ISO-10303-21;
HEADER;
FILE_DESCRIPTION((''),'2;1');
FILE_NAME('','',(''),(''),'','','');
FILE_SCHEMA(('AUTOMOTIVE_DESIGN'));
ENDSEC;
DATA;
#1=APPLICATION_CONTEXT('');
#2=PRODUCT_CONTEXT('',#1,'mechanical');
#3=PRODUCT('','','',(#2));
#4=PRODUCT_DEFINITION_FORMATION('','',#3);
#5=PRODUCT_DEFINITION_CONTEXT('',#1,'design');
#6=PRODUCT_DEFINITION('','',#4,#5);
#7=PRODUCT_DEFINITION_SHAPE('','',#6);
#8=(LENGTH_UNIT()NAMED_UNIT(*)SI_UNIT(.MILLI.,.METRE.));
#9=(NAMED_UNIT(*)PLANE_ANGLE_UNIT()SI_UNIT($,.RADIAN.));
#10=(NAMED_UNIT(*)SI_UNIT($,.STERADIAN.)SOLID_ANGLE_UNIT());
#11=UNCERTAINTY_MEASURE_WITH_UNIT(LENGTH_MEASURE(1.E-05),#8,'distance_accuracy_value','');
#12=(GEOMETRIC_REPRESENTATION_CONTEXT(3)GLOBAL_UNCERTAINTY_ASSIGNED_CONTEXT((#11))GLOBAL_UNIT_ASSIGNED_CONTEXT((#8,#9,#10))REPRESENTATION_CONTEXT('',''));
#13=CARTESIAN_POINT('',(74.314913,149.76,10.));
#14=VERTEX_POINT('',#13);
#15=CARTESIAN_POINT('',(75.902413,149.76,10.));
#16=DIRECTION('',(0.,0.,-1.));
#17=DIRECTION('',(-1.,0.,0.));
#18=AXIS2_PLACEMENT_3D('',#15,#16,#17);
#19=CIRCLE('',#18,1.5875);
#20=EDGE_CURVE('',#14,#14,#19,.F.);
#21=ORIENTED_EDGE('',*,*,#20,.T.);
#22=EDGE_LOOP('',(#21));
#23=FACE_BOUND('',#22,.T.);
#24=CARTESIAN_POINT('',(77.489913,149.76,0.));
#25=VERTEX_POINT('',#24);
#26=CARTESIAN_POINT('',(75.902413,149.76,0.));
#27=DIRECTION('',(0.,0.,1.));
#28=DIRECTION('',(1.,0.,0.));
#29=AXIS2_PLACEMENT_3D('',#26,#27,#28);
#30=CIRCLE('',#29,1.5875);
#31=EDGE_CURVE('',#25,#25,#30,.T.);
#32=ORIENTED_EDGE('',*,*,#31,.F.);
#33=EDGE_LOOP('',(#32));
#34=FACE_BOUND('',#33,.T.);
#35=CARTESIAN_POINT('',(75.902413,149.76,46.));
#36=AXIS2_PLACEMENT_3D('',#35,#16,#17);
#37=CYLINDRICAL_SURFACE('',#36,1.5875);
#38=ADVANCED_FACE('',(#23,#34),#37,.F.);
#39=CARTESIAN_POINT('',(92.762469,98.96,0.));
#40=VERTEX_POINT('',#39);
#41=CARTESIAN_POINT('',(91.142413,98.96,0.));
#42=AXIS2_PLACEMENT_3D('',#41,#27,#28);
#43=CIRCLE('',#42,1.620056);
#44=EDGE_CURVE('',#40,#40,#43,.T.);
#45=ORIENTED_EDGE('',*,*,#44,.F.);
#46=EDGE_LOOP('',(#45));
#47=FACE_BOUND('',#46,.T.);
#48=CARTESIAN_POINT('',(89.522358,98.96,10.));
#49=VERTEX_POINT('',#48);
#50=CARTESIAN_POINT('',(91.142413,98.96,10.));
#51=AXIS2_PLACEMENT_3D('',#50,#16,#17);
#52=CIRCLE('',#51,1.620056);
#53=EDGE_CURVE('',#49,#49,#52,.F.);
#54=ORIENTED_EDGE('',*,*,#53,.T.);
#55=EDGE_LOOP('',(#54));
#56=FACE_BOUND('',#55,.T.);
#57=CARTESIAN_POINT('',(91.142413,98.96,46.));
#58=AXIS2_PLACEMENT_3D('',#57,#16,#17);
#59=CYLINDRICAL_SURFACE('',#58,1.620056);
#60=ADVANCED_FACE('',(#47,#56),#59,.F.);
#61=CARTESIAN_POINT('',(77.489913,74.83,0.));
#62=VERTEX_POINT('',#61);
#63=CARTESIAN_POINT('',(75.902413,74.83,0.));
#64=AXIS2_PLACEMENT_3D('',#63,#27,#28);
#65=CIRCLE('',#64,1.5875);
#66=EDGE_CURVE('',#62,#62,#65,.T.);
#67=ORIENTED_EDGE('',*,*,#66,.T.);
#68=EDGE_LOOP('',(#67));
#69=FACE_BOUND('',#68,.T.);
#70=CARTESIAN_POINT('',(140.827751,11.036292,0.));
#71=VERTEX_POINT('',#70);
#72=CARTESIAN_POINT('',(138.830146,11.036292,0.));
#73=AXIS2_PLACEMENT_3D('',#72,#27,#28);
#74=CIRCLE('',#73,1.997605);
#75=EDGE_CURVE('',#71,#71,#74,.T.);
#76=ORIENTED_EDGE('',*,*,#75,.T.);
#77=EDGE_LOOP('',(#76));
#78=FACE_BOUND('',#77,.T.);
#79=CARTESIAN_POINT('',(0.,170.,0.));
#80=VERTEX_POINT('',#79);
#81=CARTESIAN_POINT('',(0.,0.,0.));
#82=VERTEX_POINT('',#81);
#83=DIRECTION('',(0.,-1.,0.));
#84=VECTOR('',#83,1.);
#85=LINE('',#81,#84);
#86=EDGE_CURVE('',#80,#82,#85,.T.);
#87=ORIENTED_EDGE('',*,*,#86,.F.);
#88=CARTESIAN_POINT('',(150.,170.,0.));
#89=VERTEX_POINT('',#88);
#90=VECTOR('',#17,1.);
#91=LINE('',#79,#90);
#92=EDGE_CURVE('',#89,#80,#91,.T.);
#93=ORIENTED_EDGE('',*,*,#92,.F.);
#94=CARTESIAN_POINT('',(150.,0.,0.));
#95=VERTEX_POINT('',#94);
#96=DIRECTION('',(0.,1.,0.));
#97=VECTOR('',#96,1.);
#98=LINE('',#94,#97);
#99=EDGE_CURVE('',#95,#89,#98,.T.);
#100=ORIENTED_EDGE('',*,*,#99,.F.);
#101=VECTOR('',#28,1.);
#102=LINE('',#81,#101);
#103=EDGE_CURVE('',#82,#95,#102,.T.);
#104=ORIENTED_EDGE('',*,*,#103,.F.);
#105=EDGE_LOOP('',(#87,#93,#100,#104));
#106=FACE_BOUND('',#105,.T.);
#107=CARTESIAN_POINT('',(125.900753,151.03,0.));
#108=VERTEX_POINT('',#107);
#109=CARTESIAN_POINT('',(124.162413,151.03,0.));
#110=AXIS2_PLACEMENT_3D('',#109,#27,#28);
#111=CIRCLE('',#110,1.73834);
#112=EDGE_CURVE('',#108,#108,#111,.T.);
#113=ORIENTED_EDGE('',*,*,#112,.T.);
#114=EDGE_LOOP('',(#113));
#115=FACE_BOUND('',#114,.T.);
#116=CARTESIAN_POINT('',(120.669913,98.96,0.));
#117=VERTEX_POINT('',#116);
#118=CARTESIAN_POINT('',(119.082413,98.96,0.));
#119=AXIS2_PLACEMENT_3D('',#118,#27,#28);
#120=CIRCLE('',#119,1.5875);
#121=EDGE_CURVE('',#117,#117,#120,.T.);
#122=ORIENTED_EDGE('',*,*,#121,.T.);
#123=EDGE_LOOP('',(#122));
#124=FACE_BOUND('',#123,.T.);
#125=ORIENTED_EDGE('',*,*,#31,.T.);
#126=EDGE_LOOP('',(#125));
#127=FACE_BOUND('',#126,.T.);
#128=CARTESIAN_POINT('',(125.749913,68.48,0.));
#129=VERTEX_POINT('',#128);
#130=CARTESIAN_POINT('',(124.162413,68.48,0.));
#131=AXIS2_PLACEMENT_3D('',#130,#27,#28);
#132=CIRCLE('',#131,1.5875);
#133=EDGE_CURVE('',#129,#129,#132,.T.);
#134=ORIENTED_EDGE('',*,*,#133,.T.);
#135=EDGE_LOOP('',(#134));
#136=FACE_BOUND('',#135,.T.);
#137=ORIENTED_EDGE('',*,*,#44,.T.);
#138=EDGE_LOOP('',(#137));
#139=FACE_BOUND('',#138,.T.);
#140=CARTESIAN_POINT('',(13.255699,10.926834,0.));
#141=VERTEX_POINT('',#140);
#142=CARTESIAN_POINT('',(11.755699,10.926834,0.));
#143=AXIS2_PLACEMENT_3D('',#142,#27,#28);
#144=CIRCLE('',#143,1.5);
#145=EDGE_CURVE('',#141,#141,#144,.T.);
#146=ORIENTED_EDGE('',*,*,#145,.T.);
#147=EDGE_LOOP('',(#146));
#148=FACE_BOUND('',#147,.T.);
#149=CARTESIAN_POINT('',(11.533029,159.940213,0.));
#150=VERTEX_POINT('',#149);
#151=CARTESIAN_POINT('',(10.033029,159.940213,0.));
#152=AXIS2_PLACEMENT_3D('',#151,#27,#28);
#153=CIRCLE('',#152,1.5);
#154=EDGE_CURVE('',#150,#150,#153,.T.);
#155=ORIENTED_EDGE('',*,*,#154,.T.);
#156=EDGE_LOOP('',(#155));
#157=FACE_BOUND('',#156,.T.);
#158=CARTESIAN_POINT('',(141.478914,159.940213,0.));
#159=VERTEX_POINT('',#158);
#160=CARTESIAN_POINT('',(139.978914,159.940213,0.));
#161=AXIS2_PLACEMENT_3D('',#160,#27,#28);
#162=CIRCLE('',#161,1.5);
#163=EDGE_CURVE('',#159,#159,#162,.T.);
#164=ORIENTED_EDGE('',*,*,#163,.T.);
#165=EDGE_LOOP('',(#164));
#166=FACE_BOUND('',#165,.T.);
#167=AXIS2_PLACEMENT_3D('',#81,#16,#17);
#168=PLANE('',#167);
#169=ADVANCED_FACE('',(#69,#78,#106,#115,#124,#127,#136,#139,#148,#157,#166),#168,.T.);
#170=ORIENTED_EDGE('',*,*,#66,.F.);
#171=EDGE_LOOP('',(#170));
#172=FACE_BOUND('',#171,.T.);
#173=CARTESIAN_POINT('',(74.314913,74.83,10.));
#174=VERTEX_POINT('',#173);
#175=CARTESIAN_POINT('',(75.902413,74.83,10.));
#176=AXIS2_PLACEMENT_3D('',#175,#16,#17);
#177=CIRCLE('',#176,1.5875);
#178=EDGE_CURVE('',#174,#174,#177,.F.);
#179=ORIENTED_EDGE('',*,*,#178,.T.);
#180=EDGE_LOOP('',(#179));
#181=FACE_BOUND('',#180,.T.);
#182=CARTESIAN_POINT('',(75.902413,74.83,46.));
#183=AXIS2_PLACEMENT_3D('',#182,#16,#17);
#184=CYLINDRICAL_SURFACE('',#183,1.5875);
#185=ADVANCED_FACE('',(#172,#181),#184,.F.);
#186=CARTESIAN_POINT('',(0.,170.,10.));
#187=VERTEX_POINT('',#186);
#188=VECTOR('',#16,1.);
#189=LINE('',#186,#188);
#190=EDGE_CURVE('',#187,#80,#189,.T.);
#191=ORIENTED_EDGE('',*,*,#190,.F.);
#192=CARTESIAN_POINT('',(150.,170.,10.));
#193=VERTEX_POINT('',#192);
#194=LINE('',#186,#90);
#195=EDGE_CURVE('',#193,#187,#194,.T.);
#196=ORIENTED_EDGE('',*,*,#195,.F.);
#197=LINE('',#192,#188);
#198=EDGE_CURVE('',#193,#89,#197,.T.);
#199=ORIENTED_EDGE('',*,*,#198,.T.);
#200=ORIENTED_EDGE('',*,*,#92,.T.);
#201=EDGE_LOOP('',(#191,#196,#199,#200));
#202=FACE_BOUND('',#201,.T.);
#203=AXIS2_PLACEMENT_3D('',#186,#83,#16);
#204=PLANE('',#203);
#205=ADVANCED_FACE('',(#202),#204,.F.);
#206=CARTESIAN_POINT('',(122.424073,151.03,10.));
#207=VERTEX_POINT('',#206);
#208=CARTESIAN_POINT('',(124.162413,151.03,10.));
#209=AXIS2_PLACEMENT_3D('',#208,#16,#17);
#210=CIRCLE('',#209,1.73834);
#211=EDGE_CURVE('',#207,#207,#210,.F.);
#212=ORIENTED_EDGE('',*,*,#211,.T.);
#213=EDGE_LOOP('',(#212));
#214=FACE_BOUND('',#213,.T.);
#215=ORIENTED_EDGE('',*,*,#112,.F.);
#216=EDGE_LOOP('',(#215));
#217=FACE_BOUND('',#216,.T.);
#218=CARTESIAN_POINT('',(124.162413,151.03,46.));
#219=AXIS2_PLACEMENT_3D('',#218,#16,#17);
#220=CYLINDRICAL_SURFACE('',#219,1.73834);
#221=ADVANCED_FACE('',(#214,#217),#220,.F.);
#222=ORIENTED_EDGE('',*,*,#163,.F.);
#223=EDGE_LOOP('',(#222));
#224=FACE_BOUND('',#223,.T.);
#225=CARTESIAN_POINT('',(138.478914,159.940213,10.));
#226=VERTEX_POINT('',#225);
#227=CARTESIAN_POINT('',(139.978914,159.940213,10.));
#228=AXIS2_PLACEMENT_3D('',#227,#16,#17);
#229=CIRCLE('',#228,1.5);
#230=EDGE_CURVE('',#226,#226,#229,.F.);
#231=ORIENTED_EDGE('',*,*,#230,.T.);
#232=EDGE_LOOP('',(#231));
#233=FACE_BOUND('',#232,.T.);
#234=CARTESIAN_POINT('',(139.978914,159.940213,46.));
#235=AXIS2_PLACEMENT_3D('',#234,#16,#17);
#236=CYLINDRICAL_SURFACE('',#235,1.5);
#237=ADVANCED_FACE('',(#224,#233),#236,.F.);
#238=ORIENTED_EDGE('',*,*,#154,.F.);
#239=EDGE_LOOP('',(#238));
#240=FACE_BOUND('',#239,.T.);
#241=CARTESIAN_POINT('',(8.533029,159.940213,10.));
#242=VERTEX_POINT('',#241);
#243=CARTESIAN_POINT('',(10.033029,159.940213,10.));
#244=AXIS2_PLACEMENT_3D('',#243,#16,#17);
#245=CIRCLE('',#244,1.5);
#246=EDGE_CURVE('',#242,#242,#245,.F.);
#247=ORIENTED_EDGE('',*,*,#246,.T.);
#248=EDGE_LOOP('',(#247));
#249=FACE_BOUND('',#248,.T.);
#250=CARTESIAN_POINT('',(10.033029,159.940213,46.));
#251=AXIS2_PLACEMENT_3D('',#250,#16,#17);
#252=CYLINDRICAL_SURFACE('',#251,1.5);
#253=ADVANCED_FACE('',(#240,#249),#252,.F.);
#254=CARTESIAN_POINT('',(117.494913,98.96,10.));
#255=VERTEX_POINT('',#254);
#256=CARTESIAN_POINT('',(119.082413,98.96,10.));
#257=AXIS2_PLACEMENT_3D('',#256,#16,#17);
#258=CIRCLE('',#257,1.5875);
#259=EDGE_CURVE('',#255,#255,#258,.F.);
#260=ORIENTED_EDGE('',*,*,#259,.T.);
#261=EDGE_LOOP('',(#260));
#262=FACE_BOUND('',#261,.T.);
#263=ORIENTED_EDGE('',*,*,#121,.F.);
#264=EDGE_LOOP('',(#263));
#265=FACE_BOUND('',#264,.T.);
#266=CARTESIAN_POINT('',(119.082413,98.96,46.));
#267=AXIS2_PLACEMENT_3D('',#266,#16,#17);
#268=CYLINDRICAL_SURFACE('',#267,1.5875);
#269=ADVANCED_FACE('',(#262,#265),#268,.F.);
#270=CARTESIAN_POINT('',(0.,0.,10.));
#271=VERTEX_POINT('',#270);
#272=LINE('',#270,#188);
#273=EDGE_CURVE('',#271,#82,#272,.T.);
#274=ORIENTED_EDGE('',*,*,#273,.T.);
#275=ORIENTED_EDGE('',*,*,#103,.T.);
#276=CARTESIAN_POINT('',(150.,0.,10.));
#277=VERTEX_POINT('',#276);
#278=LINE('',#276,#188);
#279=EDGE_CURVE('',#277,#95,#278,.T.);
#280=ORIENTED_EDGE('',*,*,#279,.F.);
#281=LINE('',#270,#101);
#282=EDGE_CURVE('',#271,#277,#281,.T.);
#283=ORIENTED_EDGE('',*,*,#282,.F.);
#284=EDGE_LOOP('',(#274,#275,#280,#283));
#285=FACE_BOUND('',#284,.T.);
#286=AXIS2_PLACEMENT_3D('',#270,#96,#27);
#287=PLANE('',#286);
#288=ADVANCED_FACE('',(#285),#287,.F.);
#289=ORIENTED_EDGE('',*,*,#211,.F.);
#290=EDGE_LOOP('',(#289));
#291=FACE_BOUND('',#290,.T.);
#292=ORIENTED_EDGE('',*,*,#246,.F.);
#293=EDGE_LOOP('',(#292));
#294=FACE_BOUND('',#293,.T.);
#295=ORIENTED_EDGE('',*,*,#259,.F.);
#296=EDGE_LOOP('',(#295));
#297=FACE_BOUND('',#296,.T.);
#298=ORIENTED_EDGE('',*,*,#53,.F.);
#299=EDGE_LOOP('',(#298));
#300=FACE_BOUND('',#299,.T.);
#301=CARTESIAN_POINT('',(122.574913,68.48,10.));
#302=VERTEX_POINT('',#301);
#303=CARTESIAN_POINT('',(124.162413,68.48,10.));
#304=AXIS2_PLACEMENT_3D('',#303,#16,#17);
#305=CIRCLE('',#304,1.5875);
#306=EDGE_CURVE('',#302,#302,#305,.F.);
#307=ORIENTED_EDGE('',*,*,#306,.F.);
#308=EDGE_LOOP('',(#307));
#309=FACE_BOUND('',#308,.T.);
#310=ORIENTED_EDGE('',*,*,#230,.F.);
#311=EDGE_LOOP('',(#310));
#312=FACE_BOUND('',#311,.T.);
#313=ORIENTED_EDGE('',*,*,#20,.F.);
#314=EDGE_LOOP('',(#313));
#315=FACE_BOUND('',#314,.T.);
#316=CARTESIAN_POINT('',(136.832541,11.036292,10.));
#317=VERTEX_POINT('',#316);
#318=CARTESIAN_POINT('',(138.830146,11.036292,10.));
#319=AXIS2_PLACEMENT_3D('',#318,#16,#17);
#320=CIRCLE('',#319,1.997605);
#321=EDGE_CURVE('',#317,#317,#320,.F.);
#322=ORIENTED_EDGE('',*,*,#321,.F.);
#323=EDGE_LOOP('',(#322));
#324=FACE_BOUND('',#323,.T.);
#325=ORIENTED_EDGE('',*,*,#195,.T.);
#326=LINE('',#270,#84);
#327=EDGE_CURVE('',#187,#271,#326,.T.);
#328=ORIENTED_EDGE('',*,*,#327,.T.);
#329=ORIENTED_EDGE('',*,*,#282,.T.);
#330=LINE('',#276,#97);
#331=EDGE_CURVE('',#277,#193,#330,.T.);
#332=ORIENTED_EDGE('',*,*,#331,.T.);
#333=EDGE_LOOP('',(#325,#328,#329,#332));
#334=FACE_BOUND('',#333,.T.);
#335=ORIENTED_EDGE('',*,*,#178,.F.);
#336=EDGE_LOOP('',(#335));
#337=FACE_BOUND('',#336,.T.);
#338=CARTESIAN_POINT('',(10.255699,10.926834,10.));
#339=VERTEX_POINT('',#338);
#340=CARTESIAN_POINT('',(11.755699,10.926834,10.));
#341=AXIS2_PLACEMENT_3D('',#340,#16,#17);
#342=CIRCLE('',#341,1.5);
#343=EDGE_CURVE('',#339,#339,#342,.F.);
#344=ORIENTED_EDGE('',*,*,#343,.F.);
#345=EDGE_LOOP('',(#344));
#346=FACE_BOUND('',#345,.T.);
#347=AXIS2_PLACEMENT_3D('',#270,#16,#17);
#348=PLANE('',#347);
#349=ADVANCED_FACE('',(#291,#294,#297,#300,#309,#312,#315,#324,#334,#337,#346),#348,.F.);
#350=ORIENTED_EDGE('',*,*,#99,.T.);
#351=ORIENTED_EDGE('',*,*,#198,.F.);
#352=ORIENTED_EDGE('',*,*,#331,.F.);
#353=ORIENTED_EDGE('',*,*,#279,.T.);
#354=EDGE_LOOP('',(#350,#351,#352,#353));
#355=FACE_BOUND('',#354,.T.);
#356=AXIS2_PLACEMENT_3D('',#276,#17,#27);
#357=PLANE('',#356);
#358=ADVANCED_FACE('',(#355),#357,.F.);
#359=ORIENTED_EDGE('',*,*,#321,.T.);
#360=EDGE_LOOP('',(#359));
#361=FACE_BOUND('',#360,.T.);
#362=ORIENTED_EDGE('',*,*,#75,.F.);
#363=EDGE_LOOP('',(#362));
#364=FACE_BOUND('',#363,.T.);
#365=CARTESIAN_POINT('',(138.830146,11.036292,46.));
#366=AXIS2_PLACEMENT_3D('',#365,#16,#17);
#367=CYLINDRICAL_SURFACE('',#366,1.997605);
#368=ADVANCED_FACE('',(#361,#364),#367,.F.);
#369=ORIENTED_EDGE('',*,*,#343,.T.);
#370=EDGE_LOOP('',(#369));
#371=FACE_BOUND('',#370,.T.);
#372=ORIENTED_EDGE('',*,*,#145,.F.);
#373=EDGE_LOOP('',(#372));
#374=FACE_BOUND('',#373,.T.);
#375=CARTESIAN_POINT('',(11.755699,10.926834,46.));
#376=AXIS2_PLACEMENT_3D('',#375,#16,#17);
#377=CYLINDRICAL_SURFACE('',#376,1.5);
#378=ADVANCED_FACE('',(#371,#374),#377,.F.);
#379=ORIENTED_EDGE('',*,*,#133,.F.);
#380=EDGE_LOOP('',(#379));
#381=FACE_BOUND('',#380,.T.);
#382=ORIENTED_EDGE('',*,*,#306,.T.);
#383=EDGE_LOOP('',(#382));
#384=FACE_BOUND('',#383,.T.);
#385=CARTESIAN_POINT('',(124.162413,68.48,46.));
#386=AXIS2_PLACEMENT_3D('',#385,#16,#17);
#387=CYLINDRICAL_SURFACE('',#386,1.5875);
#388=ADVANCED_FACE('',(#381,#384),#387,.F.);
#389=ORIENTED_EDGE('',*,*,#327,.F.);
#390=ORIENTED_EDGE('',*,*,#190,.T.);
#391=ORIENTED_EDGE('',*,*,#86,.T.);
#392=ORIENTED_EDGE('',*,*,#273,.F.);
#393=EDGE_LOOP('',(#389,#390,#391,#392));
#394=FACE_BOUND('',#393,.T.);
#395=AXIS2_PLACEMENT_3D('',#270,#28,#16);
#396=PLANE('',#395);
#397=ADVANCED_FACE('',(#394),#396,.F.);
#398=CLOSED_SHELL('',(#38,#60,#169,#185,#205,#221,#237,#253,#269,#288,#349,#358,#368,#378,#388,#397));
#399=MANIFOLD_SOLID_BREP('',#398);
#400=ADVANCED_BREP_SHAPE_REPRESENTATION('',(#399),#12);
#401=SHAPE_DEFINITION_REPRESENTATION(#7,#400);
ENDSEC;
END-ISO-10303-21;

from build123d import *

# Parameters (mm, degrees)
ESBO_O1_W                = 150
ESBO_O1_H                = 170
RESSALTO_EXTRUS_O1_DEPTH = 10
ESBO_O2_R                = 1.5
ESBO_O2_R_2              = 1.997604937
ESBO_O2_R_3              = 1.5875
ESBO_O2_R_4              = 1.73833982
ESBO_O2_R_5              = 1.620055507
CORTE_EXTRUS_O1_DEPTH    = 46


with BuildPart() as part:
    # Esboço1 → Ressalto-extrusão1 (new body)
    with BuildSketch(Plane.XY):
        with Locations((75, 85)):
            Rectangle(ESBO_O1_W, ESBO_O1_H)
    extrude(amount=RESSALTO_EXTRUS_O1_DEPTH)

    # Esboço2 → Corte-extrusão1 (cut)
    with BuildSketch(Plane.XY):
        with Locations(Location((10.033029316, 159.94021292, 0), (0, 0, 180))):
            Circle(ESBO_O2_R)
        with Locations(Location((139.978914047, 159.94021292, 0), (0, 0, 180))):
            Circle(ESBO_O2_R)
        with Locations(Location((138.830146036, 11.036291662, 0), (0, 0, 180))):
            Circle(ESBO_O2_R_2)
        with Locations(Location((11.755699431, 10.926833837, 0), (0, 0, 180))):
            Circle(ESBO_O2_R)
        with Locations(Location((75.902413193, 149.76, 0), (0, 0, 180))):
            Circle(ESBO_O2_R_3)
        with Locations(Location((124.162413193, 151.03, 0), (0, 0, 180))):
            Circle(ESBO_O2_R_4)
        with Locations(Location((119.082413193, 98.96, 0), (0, 0, 180))):
            Circle(ESBO_O2_R_3)
        with Locations(Location((91.142413193, 98.96, 0), (0, 0, 180))):
            Circle(ESBO_O2_R_5)
        with Locations(Location((124.162413193, 68.48, 0), (0, 0, 180))):
            Circle(ESBO_O2_R_3)
        with Locations(Location((75.902413193, 74.83, 0), (0, 0, 180))):
            Circle(ESBO_O2_R_3)
    extrude(amount=CORTE_EXTRUS_O1_DEPTH, mode=Mode.SUBTRACT)


solid = part.part
